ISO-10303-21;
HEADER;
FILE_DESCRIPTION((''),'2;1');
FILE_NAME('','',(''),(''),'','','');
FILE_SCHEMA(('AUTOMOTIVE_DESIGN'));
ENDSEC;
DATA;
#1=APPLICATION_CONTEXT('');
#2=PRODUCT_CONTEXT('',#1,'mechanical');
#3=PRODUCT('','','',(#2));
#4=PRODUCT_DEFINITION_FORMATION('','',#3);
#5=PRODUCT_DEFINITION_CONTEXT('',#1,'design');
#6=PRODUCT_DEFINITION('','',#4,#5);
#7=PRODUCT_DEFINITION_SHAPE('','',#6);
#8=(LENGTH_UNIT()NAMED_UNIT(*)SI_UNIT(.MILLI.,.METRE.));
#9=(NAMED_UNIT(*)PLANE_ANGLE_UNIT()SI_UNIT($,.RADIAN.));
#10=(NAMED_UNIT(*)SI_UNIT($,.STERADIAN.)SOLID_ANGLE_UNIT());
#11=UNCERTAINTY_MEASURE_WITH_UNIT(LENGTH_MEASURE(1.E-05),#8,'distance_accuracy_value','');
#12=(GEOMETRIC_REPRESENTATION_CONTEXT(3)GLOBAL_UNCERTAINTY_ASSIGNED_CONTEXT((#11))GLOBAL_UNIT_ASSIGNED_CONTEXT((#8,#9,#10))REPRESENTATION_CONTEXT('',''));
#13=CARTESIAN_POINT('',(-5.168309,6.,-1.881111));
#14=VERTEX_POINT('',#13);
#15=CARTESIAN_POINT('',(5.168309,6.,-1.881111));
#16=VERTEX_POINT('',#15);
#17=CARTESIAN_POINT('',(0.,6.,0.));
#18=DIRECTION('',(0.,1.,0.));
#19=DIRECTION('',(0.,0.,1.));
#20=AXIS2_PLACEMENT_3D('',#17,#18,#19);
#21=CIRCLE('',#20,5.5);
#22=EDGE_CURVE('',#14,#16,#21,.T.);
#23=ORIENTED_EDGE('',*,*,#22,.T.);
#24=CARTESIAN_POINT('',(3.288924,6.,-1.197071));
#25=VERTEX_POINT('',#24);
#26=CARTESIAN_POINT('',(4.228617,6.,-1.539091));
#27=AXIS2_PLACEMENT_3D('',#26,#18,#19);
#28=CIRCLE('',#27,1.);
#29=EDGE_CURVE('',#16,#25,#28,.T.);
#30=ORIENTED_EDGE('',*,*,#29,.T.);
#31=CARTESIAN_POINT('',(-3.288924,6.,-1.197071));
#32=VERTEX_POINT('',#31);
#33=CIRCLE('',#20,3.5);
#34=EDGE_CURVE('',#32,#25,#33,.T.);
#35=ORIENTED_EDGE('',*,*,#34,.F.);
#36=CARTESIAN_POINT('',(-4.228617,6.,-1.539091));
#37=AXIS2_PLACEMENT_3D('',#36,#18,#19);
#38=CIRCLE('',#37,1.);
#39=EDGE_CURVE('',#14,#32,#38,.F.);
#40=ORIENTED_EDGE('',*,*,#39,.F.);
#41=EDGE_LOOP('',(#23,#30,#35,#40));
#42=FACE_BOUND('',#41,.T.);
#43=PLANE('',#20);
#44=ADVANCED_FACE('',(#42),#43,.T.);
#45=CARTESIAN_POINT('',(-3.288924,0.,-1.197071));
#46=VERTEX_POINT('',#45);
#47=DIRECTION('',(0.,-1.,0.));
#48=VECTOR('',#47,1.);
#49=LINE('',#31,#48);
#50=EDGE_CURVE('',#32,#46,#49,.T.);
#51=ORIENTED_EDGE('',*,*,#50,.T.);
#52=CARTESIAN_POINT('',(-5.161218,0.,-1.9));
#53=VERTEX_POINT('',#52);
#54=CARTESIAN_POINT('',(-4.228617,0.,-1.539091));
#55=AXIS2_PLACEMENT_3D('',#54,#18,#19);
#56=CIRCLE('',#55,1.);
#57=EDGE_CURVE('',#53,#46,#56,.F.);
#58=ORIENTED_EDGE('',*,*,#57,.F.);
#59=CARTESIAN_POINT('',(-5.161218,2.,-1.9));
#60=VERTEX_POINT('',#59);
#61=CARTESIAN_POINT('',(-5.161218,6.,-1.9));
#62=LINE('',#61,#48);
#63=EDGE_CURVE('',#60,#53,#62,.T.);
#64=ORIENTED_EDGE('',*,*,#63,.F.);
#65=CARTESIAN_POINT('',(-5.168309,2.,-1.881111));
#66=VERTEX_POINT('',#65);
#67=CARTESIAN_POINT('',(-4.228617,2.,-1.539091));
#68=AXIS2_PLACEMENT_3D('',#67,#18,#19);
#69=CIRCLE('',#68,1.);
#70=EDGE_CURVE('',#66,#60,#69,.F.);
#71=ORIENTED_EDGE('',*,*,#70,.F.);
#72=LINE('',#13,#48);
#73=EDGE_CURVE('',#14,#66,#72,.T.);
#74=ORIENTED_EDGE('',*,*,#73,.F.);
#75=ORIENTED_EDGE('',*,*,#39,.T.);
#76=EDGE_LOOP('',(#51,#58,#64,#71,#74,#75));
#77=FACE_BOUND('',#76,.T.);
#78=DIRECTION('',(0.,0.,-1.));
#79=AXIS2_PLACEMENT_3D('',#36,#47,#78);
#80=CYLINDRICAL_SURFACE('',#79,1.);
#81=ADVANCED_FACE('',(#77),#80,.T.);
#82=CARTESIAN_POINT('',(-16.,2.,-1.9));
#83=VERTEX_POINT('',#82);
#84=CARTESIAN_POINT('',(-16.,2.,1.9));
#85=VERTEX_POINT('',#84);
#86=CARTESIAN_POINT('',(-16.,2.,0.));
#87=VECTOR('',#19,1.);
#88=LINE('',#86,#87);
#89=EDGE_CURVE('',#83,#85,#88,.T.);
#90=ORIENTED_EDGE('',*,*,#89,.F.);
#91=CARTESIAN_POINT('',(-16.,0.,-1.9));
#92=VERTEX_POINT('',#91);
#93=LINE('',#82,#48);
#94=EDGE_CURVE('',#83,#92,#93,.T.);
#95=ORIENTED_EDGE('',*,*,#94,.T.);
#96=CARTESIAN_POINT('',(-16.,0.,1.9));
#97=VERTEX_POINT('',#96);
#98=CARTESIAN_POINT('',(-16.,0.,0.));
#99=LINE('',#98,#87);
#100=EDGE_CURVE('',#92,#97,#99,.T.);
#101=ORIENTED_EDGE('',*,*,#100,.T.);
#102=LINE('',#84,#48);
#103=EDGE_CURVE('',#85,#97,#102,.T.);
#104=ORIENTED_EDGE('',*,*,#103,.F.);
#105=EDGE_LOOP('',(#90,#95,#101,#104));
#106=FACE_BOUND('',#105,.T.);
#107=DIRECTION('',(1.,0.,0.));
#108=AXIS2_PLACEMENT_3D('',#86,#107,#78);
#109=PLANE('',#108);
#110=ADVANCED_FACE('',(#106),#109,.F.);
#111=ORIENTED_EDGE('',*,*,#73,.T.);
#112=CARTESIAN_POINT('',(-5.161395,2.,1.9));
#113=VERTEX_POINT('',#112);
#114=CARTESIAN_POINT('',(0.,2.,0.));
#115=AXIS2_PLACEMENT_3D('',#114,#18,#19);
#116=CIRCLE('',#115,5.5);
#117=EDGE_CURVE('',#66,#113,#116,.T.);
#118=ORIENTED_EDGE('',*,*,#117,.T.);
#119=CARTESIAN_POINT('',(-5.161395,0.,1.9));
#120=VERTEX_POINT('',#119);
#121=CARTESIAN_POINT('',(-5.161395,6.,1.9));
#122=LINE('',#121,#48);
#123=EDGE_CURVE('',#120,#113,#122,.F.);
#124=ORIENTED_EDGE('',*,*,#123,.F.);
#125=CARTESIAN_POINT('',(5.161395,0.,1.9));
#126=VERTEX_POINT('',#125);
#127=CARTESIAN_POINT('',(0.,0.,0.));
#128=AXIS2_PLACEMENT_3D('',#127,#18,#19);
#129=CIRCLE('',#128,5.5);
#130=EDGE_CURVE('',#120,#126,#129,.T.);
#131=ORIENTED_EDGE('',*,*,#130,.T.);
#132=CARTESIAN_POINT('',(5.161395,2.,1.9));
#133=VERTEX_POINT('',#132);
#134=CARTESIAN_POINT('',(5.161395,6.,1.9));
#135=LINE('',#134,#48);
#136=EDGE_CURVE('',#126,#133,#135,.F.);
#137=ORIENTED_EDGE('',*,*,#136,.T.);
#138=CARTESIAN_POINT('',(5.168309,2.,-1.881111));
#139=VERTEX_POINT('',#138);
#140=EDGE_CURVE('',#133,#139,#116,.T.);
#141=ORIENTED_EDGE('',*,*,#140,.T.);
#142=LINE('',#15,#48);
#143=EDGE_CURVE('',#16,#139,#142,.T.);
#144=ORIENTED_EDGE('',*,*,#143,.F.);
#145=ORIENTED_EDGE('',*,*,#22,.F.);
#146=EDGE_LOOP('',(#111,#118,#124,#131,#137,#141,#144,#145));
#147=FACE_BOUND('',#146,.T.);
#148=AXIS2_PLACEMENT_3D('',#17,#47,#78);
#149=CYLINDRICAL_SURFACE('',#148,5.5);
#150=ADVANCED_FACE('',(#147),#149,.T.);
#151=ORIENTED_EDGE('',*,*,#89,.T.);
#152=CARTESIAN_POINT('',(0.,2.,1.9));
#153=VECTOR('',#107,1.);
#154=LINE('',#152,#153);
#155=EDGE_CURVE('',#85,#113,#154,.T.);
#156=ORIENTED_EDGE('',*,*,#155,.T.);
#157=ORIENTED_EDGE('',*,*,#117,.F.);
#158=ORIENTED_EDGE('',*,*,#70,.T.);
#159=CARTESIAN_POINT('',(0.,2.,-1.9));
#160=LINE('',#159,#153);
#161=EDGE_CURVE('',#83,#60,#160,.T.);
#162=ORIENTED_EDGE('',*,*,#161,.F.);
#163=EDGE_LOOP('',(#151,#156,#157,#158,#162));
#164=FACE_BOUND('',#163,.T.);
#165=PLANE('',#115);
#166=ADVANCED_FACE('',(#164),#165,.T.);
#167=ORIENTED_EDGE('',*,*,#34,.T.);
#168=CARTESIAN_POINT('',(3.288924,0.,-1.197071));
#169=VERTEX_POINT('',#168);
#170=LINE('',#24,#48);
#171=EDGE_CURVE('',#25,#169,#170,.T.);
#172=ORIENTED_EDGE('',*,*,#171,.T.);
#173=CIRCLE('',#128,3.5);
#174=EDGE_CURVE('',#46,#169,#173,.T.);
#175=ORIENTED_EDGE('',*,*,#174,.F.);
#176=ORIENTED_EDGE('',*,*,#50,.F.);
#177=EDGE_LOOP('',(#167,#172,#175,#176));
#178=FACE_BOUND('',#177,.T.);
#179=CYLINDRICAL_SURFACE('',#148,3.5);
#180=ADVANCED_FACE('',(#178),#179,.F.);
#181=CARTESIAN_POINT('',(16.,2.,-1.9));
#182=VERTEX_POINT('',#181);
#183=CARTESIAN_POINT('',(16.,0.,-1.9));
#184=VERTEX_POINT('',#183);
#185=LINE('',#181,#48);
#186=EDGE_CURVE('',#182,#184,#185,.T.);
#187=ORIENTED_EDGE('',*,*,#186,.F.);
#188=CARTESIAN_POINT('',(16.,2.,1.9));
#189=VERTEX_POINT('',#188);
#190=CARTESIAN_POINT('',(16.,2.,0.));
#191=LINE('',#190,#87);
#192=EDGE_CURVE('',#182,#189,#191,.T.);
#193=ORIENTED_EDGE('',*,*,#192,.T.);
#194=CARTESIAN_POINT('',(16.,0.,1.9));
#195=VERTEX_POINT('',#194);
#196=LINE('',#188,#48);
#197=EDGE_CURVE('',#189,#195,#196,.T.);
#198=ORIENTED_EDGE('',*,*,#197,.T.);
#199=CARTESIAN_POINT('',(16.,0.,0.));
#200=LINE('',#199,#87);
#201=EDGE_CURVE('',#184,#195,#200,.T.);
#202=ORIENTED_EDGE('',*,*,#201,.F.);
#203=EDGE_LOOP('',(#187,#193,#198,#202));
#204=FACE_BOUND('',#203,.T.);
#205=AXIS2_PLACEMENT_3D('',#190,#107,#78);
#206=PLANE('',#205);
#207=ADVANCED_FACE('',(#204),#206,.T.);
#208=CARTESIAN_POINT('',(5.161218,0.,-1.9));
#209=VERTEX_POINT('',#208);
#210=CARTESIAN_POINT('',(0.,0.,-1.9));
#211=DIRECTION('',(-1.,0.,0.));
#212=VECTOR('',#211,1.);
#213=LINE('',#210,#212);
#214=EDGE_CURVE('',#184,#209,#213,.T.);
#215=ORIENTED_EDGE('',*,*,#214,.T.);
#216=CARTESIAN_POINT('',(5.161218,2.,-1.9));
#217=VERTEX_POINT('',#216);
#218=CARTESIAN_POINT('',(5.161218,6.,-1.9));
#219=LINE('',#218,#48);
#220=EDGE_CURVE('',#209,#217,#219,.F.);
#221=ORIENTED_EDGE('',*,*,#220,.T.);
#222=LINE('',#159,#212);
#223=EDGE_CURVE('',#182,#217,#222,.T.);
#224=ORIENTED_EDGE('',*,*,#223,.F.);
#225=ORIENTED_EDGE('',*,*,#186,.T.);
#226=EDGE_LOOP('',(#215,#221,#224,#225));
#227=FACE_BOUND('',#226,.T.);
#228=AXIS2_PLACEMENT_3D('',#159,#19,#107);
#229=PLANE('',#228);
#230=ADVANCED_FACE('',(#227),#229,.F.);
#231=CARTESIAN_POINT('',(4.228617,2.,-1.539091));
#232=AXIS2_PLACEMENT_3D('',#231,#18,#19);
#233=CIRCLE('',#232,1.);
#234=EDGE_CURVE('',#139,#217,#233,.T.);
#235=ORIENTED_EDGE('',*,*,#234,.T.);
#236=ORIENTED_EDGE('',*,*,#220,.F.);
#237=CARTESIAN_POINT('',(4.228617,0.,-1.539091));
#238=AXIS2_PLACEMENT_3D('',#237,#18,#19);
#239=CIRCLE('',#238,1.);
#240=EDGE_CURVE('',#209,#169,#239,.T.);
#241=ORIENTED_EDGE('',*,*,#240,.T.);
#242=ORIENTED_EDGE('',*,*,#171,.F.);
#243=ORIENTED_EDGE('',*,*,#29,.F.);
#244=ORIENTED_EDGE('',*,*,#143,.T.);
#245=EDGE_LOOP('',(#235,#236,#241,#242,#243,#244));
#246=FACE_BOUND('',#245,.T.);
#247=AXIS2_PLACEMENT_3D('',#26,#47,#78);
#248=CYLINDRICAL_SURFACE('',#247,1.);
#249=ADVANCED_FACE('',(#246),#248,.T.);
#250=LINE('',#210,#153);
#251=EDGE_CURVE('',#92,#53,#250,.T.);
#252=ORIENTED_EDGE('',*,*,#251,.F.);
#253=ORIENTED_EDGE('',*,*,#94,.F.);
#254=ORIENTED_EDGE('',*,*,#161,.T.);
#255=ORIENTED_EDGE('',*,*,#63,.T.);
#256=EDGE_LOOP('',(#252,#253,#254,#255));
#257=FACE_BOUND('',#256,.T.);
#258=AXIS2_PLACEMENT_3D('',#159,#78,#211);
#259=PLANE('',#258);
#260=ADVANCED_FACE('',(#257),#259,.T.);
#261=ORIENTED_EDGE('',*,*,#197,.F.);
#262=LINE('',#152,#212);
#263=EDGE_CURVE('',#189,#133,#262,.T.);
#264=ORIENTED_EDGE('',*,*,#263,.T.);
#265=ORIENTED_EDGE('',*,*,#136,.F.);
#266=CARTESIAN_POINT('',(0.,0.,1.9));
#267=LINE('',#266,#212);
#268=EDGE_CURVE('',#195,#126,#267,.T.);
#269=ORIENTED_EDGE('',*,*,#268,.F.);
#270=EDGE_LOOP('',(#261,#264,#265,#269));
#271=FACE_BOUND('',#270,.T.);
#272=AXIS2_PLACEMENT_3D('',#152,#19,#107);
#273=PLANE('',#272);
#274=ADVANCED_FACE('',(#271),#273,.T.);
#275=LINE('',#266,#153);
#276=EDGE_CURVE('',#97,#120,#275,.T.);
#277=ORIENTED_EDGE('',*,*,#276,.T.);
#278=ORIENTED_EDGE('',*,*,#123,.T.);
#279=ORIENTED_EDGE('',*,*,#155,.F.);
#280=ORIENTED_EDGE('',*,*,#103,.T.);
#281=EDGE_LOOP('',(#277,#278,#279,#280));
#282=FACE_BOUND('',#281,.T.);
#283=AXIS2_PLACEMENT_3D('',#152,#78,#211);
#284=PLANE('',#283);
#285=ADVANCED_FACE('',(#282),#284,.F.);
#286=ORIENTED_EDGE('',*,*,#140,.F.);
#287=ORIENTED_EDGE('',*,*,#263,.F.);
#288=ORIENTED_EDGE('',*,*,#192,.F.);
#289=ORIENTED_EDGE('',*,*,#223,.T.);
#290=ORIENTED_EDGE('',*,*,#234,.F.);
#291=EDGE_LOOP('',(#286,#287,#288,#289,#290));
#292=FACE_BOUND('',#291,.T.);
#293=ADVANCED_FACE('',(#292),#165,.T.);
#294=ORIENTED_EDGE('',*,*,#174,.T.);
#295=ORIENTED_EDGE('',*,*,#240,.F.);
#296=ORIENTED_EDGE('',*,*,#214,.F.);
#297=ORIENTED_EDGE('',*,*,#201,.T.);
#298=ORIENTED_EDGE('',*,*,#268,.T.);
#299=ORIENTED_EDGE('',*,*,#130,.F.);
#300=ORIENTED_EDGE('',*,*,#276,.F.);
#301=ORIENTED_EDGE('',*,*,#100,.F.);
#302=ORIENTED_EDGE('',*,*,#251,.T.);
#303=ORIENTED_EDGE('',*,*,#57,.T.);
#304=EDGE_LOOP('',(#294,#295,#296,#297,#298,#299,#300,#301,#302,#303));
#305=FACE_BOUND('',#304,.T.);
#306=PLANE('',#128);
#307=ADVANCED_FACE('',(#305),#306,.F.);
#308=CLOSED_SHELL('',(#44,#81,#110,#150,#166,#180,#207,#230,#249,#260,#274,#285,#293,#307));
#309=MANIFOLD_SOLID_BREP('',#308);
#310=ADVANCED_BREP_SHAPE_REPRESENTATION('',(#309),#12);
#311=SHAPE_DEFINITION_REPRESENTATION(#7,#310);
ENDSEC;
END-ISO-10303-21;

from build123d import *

# Parameters (mm, degrees)
BOSS_EXTRUDE1_DEPTH = 6
SKETCH2_W           = 11.5
SKETCH2_H           = 3.8
SKETCH2_H_2         = 1.9
BOSS_EXTRUDE2_DEPTH = 2


with BuildPart() as part:
    # Sketch1 → Boss-Extrude1 (new body)
    with BuildSketch(Plane(origin=(0, 0, 0), x_dir=(1, 0, 0), z_dir=(0, 1, 0))):
        with BuildLine():
            Line((5.5, 0), (3.5, 0))
            ThreePointArc((3.5, 0), (-0.607768622, -3.446827136), (-3.288924173, 1.197070502))
            ThreePointArc((-3.288924173, 1.197070502), (-3.88659665, 2.478783266), (-5.168309414, 1.881110788))
            ThreePointArc((-5.168309414, 1.881110788), (-0.955064977, -5.416442642), (5.5, 0))
        make_face()
        with BuildLine():
            ThreePointArc((3.288924173, 1.197070502), (3.446827136, 0.607768622), (3.5, 0))
            Line((3.5, 0), (5.5, 0))
            ThreePointArc((5.5, 0), (5.416442642, 0.955064977), (5.168309414, 1.881110788))
            Line((5.168309414, 1.881110788), (4.228616794, 1.539090645))
            Line((4.228616794, 1.539090645), (3.288924173, 1.197070502))
        make_face()
        with BuildLine():
            ThreePointArc((5.168309414, 1.881110788), (3.88659665, 2.478783266), (3.288924173, 1.197070502))
            Line((3.288924173, 1.197070502), (4.228616794, 1.539090645))
            Line((4.228616794, 1.539090645), (5.168309414, 1.881110788))
        make_face()
    extrude(amount=BOSS_EXTRUDE1_DEPTH)

    # Sketch2 → Boss-Extrude2 (add)
    with BuildSketch(Plane(origin=(0, 0, 0), x_dir=(1, 0, 0), z_dir=(0, 1, 0))):
        with Locations((-10.25, 0)):
            Rectangle(SKETCH2_W, SKETCH2_H)
        with Locations((10.25, -0.95)):
            Rectangle(SKETCH2_W, SKETCH2_H_2)
        with Locations((10.25, 0.95)):
            Rectangle(SKETCH2_W, SKETCH2_H_2)
    extrude(amount=BOSS_EXTRUDE2_DEPTH)


solid = part.part
